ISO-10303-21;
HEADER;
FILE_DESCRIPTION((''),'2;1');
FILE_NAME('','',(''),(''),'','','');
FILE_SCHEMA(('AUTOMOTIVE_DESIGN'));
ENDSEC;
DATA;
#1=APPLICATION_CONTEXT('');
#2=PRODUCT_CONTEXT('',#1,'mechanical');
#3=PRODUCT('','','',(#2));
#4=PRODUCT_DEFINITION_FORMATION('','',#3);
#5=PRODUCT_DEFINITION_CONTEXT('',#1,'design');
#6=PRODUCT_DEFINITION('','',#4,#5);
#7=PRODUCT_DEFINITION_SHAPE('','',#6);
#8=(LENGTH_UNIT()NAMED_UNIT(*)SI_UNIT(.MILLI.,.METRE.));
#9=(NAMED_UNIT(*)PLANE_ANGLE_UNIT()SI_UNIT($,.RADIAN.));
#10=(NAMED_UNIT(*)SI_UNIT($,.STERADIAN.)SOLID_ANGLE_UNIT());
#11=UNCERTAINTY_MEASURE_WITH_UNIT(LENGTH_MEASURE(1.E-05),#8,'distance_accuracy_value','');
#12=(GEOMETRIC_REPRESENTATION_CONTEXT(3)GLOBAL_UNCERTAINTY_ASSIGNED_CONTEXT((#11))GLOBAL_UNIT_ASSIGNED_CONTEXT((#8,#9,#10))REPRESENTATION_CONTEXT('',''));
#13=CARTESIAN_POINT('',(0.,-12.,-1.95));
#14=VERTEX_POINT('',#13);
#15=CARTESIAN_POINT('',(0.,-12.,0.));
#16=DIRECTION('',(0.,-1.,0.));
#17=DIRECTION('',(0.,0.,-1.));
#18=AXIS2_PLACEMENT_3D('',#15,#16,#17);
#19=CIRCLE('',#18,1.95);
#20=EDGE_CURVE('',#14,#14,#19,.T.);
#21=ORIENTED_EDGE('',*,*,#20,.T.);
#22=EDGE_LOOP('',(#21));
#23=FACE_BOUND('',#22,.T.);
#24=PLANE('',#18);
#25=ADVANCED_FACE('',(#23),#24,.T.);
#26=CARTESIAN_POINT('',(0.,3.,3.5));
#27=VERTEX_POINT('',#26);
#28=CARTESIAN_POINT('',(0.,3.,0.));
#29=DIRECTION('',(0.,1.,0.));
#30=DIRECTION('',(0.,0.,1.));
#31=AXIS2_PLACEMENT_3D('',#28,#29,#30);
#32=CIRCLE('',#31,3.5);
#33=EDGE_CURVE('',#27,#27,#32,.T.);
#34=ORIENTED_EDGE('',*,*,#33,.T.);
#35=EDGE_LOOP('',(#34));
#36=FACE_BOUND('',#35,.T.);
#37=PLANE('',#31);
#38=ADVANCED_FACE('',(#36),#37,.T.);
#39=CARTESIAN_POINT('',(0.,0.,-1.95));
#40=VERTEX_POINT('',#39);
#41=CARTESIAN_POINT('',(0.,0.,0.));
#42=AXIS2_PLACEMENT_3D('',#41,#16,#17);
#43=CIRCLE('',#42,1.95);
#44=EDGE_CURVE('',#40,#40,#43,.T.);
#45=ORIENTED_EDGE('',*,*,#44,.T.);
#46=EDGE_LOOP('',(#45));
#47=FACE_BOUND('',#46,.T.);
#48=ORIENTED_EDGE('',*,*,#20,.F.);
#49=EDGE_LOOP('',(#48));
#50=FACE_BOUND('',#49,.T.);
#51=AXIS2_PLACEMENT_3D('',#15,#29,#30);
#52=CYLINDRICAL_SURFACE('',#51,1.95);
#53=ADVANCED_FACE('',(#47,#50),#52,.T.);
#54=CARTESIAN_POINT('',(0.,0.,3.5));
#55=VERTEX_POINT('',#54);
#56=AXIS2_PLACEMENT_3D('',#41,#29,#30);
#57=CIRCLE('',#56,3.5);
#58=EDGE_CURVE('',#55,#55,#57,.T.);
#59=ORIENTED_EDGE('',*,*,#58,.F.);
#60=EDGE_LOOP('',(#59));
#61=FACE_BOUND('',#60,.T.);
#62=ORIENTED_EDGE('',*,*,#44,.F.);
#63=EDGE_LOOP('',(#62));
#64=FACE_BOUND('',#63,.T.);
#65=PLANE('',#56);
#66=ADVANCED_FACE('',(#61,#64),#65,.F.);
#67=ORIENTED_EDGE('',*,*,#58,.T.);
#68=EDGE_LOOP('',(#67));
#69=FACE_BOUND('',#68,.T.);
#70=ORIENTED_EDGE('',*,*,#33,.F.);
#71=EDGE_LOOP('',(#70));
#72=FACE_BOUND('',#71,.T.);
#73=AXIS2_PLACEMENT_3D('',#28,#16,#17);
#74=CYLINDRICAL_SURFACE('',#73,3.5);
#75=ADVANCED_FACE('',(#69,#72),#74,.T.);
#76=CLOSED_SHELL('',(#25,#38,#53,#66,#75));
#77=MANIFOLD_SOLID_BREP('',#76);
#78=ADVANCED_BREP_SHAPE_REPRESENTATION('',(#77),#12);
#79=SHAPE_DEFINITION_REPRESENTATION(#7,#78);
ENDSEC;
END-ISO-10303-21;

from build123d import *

# Parameters (mm, degrees)
SKETCH1_R           = 3.5
BOSS_EXTRUDE1_DEPTH = 3
SKETCH2_R           = 1.95
BOSS_EXTRUDE2_DEPTH = 12


with BuildPart() as part:
    # Sketch1 → Boss-Extrude1 (new body)
    with BuildSketch(Plane(origin=(0, 0, 0), x_dir=(1, 0, 0), z_dir=(0, 1, 0))):
        Circle(SKETCH1_R)
    extrude(amount=BOSS_EXTRUDE1_DEPTH)

    # Sketch2 → Boss-Extrude2 (add)
    with BuildSketch(Plane.XZ):
        Circle(SKETCH2_R)
    extrude(amount=BOSS_EXTRUDE2_DEPTH)


solid = part.part
